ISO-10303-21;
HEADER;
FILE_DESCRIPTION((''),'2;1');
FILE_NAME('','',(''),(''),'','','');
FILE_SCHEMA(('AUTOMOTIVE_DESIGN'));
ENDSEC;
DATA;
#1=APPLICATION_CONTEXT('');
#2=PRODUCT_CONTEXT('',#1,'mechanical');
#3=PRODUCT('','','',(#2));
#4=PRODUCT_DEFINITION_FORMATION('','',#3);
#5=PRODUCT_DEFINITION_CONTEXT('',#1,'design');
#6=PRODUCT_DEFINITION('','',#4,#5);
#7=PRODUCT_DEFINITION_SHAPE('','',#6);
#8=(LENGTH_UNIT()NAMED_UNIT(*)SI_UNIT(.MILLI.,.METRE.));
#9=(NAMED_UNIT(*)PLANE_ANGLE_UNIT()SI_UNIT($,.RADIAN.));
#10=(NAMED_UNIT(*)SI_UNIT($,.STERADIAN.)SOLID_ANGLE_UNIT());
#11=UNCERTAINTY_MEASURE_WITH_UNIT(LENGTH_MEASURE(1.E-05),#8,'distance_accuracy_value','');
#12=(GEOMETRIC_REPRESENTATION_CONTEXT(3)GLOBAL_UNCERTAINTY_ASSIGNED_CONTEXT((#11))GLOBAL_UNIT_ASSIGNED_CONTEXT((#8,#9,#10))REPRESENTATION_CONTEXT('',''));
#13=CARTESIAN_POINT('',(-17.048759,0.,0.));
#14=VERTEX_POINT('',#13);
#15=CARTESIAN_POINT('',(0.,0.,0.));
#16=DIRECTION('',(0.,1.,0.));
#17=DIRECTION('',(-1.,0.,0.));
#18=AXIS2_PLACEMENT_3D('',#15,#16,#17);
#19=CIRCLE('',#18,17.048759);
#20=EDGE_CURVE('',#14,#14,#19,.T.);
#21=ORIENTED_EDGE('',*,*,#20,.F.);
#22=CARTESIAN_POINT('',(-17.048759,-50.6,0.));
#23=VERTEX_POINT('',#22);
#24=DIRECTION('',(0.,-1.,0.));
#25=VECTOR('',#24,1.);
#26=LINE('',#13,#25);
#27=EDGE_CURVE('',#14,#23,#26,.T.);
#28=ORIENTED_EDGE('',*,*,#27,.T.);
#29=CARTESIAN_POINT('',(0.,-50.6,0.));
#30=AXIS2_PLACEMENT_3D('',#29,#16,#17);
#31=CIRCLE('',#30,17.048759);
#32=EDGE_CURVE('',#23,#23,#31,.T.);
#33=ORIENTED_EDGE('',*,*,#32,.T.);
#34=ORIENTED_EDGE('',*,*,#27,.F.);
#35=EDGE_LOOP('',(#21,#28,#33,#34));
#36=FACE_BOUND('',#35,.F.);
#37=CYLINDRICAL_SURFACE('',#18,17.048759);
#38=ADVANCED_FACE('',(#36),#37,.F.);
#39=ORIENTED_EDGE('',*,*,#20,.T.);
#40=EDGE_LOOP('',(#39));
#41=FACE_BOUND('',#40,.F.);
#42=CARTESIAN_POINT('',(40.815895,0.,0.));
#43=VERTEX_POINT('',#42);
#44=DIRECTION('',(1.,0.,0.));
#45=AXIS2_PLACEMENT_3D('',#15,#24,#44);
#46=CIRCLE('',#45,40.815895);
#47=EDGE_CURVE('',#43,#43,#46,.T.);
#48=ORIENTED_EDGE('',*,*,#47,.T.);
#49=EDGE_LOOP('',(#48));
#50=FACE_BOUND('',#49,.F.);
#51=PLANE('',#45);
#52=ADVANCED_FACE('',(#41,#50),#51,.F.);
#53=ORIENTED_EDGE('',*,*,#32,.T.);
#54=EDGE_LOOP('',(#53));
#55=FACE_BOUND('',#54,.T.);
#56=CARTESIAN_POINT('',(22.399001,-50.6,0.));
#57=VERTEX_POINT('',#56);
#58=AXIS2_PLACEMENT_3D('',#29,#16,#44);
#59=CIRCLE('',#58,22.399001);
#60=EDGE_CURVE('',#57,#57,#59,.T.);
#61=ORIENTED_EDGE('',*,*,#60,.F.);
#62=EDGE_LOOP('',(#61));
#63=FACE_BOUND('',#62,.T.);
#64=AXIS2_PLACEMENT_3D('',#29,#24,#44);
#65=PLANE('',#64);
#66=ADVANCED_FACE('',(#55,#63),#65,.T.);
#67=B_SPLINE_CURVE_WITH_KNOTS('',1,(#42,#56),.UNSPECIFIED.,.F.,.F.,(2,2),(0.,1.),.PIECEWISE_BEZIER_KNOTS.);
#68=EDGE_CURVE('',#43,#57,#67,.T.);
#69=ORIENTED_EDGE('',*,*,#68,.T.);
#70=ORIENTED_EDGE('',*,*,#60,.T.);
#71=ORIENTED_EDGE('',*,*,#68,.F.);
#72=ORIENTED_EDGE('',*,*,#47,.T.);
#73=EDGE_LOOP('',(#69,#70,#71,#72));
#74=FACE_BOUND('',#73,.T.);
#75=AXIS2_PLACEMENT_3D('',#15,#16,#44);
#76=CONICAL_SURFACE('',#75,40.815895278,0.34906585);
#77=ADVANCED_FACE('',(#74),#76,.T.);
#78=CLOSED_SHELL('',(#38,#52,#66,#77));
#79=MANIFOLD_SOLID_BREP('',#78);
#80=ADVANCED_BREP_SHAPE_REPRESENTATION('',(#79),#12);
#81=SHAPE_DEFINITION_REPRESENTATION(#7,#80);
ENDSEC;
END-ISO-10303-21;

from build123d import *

# Parameters (mm, degrees)
F0_R     = 40.8158952778
F1_DEPTH = 50.6
F1_TAPER = 20
F2_R     = 17.0487588332
F3_DEPTH = 50.6010001


with BuildPart() as f1:
    # F0 (on Front) → F1 (new body)
    with BuildSketch(Plane.XZ):
        Circle(F0_R)
    extrude(amount=F1_DEPTH, taper=F1_TAPER)

    # F2 (on face) → F3 (cut, through all)
    with BuildSketch(Plane(origin=(0, 0, 0), x_dir=(-1, 0, 0), z_dir=(0, 1, 0))):
        Circle(F2_R)
    extrude(amount=-F3_DEPTH, mode=Mode.SUBTRACT)


solid = f1.part
